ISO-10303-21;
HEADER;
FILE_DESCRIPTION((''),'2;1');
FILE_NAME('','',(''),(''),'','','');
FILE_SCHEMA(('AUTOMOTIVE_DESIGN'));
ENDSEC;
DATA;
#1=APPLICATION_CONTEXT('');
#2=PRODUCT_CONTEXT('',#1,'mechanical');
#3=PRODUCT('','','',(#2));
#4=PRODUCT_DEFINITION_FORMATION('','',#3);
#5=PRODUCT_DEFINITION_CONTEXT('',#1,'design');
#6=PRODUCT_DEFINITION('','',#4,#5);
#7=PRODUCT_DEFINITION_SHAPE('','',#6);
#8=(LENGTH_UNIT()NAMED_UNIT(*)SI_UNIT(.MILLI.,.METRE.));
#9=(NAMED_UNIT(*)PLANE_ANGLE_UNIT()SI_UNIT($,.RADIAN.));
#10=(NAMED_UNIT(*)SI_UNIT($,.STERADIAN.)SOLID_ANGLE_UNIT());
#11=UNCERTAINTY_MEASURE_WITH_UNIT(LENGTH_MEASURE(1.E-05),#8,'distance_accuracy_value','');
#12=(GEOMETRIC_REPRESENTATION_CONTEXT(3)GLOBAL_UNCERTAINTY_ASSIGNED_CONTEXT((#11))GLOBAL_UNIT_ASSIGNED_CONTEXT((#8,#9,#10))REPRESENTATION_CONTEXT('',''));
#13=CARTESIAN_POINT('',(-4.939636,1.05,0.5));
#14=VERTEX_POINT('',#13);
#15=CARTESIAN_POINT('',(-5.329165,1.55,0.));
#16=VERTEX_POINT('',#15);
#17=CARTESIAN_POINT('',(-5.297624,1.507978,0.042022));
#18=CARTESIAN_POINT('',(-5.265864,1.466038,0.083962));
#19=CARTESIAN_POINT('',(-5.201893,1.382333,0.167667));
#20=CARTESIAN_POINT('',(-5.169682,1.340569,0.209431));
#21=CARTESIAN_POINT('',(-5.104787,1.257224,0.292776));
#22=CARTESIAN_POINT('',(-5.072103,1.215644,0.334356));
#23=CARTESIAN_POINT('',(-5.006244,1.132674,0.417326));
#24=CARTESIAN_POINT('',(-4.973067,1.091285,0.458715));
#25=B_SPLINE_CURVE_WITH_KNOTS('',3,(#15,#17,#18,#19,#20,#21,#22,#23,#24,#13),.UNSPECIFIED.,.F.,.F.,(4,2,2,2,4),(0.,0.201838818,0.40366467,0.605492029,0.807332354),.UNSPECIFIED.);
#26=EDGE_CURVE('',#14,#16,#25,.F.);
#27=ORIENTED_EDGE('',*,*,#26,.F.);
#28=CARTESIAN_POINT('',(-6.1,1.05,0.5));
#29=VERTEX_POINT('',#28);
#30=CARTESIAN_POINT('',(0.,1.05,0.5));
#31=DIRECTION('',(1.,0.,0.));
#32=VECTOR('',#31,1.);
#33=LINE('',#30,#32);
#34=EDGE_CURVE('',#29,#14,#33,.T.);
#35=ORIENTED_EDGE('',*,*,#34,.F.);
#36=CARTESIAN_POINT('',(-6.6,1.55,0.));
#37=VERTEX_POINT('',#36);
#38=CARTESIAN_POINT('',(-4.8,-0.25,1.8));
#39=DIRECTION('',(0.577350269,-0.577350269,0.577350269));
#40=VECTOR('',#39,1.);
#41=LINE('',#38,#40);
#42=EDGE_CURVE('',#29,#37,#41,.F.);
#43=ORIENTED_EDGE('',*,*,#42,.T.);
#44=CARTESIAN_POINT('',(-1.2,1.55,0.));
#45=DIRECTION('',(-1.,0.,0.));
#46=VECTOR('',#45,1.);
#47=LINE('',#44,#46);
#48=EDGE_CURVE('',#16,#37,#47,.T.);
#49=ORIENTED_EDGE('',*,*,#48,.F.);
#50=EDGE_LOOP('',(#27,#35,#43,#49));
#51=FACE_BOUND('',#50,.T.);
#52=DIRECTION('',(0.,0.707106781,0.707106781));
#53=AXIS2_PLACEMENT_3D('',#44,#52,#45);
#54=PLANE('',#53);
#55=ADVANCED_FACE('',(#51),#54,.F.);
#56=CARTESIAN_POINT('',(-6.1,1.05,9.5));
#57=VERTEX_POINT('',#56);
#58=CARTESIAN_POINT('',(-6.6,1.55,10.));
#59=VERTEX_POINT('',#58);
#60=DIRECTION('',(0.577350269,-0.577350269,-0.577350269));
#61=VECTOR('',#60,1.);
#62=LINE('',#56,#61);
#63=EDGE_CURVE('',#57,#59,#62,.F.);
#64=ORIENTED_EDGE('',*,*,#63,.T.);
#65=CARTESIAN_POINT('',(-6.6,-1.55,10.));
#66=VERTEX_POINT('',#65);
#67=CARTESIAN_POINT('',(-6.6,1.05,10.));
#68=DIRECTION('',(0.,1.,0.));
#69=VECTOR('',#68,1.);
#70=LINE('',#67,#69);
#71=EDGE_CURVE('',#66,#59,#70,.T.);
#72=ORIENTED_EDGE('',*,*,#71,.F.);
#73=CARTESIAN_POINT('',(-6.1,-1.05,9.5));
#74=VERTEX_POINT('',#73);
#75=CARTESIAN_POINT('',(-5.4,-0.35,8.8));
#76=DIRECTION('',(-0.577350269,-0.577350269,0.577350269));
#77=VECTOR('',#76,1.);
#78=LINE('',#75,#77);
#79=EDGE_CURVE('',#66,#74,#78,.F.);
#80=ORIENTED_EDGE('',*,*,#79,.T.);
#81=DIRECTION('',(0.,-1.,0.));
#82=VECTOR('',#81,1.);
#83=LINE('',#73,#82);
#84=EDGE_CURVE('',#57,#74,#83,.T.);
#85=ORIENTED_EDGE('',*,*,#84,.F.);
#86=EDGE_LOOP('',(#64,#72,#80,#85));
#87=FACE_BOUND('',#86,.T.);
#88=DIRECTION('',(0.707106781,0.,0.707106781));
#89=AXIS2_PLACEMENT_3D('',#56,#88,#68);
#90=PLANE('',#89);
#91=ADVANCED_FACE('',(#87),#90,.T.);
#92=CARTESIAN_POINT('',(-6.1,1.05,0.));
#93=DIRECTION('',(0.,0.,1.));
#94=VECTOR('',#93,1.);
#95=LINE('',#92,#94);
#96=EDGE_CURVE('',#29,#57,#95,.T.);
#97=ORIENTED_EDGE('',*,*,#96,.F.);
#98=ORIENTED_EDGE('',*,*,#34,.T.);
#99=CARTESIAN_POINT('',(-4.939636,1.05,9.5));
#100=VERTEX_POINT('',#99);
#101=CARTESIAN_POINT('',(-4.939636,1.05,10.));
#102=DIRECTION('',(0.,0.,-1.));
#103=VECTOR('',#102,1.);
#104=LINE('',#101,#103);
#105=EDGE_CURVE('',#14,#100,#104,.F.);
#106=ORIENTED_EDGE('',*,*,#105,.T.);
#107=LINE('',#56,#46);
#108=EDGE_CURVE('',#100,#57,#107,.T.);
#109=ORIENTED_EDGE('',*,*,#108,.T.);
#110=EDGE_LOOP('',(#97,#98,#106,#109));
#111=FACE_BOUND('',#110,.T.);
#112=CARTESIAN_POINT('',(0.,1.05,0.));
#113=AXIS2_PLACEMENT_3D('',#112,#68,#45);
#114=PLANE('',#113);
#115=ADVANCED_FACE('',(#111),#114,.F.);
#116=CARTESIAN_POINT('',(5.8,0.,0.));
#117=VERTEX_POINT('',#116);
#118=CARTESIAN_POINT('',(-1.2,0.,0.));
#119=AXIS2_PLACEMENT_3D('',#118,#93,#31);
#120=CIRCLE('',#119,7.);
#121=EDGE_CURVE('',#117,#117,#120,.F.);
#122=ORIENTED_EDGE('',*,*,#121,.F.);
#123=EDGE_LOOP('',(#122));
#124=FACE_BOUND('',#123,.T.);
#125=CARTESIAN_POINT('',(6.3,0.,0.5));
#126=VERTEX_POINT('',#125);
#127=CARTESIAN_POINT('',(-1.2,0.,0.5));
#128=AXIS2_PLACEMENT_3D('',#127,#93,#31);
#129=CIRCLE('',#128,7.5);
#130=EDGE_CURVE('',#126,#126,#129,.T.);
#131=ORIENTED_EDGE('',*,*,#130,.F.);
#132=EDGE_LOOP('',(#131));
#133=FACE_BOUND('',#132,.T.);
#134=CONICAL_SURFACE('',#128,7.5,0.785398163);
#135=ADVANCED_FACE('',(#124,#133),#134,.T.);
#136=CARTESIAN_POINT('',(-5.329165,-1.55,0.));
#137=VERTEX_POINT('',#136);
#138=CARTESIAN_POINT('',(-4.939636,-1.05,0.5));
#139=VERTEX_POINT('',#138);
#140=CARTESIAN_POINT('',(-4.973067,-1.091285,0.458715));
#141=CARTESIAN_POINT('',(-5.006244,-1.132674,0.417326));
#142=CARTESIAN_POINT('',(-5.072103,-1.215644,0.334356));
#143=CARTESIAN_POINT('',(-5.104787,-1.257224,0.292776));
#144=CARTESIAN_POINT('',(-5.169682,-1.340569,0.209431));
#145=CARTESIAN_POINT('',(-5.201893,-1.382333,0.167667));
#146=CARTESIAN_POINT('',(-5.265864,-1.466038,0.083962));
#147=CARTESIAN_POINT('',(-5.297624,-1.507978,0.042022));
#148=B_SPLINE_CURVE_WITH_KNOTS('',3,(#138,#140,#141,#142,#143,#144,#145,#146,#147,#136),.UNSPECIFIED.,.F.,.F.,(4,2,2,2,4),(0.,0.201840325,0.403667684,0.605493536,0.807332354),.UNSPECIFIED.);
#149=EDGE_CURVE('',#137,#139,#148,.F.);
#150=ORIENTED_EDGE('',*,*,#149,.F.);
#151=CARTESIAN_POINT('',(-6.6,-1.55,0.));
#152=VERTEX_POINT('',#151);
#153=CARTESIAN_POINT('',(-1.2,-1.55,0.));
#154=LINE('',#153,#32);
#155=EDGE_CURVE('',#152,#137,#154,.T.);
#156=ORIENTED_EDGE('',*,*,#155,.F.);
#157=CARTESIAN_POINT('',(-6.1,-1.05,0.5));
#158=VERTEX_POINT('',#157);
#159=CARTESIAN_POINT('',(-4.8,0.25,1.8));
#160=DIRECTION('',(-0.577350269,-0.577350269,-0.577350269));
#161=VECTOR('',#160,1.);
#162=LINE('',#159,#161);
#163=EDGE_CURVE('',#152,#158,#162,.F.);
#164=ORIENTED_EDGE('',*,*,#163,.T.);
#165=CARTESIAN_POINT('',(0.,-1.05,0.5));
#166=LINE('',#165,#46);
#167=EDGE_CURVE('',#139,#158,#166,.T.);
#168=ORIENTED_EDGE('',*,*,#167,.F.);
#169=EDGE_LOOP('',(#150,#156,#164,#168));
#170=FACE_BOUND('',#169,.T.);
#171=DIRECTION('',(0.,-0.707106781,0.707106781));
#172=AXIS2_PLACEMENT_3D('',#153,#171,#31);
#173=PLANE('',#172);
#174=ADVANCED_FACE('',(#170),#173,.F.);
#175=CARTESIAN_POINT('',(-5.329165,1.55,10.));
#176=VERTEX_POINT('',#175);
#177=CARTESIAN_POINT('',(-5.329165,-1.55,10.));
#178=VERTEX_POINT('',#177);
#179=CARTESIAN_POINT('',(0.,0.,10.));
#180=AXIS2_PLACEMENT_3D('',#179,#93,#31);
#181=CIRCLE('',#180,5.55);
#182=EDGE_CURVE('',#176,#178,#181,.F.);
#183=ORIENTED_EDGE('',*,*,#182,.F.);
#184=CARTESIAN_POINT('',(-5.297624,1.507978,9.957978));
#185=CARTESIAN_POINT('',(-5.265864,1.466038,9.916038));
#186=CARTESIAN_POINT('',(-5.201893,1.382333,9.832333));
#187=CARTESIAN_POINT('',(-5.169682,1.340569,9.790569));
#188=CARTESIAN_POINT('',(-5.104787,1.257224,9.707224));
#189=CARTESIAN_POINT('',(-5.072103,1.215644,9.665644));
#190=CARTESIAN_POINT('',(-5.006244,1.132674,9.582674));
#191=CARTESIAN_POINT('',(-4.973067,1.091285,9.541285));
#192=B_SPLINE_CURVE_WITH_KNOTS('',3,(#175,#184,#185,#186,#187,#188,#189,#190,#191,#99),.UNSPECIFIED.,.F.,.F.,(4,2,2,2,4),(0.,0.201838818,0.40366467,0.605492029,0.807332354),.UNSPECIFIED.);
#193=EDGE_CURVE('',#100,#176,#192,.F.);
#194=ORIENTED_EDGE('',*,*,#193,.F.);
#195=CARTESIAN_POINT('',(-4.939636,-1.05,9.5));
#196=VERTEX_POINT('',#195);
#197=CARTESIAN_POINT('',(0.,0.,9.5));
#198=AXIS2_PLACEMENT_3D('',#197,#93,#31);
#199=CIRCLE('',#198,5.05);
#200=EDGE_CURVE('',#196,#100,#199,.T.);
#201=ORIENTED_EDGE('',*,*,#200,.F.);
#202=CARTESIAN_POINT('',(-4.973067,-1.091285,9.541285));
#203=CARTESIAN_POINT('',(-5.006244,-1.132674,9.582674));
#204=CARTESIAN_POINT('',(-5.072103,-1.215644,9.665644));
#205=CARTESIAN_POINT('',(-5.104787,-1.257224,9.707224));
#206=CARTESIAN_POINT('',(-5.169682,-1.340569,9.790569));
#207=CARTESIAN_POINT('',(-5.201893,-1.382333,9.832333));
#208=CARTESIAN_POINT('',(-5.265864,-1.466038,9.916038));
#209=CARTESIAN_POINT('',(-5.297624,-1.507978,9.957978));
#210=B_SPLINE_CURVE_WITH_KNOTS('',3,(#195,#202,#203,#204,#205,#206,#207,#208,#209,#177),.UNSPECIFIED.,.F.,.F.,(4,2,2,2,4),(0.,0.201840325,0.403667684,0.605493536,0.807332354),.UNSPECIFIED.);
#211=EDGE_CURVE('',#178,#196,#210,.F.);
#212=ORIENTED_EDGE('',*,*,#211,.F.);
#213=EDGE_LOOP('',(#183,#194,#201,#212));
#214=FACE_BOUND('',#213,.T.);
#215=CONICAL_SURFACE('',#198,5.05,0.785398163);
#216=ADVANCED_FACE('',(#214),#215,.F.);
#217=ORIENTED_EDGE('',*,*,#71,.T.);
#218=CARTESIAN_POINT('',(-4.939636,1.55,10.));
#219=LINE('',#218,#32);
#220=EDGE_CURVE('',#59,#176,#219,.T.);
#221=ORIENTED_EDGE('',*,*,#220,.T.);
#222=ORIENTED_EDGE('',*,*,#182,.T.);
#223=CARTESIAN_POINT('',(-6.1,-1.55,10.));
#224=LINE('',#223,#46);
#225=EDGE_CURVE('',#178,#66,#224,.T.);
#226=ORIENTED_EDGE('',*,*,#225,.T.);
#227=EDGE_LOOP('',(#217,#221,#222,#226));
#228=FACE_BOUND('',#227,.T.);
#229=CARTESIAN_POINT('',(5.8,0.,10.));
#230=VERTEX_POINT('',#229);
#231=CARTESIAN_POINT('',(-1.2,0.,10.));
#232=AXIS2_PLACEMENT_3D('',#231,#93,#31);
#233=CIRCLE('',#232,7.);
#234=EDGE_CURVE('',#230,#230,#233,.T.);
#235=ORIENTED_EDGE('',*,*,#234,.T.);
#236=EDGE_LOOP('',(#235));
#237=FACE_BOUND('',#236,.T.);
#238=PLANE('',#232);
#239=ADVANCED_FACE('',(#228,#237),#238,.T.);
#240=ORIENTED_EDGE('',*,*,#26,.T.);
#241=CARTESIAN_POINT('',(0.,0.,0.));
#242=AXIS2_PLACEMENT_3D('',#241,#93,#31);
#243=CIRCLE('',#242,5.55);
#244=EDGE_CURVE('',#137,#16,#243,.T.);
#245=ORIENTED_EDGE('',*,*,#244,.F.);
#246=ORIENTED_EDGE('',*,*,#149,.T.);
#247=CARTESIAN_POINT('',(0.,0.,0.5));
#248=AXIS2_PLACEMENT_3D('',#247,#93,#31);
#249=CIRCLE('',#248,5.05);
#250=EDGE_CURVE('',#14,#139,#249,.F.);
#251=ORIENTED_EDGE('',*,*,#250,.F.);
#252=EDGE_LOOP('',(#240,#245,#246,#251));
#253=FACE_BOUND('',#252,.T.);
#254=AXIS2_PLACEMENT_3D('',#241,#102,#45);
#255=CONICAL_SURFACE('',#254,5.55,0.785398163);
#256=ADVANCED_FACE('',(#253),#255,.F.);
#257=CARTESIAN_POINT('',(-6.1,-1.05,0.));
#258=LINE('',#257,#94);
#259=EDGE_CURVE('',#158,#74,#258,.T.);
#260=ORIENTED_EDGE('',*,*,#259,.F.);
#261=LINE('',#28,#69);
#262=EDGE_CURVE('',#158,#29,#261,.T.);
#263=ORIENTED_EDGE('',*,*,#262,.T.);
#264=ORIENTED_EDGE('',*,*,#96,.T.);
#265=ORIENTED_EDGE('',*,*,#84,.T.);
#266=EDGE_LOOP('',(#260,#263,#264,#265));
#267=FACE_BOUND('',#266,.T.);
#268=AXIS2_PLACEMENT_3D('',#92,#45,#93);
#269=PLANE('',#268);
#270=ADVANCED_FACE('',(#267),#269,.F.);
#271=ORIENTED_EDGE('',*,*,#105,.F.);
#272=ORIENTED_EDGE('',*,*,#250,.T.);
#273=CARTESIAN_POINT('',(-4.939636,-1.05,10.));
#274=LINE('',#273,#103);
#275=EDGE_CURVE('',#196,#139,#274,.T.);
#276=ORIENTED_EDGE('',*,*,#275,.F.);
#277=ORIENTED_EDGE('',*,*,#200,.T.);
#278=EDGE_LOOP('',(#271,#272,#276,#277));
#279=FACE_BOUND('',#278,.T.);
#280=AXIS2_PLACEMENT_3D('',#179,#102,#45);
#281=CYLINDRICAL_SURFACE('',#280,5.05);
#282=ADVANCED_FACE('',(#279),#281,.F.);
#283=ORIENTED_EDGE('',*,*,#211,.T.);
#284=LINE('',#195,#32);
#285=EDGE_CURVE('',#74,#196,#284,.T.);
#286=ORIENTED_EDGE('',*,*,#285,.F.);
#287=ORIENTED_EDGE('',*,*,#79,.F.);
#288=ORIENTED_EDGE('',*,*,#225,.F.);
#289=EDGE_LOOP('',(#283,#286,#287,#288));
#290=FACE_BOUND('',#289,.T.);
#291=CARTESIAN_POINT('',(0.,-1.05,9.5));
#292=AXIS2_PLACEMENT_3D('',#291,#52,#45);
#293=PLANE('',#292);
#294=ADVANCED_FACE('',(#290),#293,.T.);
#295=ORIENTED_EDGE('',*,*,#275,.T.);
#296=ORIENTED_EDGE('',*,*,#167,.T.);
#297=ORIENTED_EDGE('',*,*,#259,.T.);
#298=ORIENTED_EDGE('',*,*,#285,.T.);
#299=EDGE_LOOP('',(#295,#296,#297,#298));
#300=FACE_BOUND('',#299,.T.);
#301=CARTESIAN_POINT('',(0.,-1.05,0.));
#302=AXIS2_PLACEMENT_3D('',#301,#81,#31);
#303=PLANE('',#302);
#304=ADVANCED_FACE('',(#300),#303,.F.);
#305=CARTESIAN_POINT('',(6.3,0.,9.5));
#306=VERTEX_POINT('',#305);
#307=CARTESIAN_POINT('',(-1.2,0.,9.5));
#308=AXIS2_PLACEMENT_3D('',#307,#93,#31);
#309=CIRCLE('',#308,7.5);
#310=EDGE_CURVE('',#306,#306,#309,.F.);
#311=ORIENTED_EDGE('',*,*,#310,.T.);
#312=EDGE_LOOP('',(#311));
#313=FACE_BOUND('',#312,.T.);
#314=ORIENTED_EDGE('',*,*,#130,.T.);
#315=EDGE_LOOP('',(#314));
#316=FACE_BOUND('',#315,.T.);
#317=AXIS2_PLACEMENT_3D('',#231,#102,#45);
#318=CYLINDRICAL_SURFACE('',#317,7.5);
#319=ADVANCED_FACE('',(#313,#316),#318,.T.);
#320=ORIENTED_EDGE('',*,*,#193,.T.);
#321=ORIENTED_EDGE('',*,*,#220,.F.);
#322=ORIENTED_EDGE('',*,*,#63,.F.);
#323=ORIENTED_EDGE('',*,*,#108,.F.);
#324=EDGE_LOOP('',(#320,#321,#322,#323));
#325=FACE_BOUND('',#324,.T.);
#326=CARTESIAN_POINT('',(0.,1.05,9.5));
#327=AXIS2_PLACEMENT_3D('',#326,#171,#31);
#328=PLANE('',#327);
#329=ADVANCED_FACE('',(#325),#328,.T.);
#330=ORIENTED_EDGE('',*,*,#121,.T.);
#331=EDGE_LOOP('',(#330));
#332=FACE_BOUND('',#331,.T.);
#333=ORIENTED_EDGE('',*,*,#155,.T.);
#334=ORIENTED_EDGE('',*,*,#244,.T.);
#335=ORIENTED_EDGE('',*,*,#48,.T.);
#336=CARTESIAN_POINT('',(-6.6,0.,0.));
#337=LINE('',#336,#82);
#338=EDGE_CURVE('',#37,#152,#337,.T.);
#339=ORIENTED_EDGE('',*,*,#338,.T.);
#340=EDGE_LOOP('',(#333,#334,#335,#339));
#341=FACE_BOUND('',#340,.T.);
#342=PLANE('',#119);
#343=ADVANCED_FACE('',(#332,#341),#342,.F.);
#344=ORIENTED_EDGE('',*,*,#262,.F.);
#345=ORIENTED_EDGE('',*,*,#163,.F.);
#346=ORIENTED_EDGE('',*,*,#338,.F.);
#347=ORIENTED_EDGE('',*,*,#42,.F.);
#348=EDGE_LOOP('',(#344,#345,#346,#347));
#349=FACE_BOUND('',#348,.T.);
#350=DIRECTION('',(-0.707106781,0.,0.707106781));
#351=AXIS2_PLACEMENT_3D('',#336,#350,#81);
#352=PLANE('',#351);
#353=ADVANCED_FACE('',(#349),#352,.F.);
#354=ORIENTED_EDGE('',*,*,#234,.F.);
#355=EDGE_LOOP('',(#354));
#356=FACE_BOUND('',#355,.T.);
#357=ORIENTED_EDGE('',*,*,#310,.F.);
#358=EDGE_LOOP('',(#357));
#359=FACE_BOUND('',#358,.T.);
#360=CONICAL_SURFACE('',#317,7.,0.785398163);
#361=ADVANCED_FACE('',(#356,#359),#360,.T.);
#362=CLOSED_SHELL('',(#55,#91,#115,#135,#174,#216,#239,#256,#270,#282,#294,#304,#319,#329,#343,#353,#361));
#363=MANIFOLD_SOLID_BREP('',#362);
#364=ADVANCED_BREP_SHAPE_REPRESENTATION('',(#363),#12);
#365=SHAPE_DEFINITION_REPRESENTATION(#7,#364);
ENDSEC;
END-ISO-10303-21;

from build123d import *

# Parameters (mm, degrees)
SKETCH1_R           = 7.5
SKETCH1_R_2         = 5.05
BOSS_EXTRUDE1_DEPTH = 10
SKETCH2_W           = 6.1
SKETCH2_H           = 2.1
CUT_EXTRUDE1_DEPTH  = 16.229576488
CHAMFER1_SIZE       = 0.5
CHAMFER2_SIZE       = 0.5
CHAMFER3_SIZE       = 0.5


with BuildPart() as part:
    # Sketch1 → Boss-Extrude1 (new body)
    with BuildSketch(Plane.XY):
        with Locations((-1.2, 0)):
            Circle(SKETCH1_R)
        Circle(SKETCH1_R_2, mode=Mode.SUBTRACT)
    extrude(amount=BOSS_EXTRUDE1_DEPTH)

    # Sketch2 → Cut-Extrude1 (cut, through all)
    with BuildSketch(Plane.XY.offset(10)):
        with Locations((-3.05, 0)):
            Rectangle(SKETCH2_W, SKETCH2_H)
    extrude(amount=-CUT_EXTRUDE1_DEPTH, mode=Mode.SUBTRACT)

    # Chamfer1
    chamfer1_edges = [part.edges().sort_by_distance(p)[0] for p in [
        (5.05, 0, 10),
        (-5.519817807, -1.05, 10),
        (-5.519817807, 1.05, 10),
        (-6.1, 0, 10),
    ]]
    chamfer(chamfer1_edges, length=CHAMFER1_SIZE)

    # Chamfer2
    chamfer2_edges = [part.edges().sort_by_distance(p)[0] for p in [
        (5.05, 0, 0),
        (-5.519817807, -1.05, 0),
        (-6.1, 0, 0),
        (-5.519817807, 1.05, 0),
    ]]
    chamfer(chamfer2_edges, length=CHAMFER2_SIZE)

    # Chamfer3
    chamfer3_edges = [part.edges().sort_by_distance(p)[0] for p in [
        (-8.7, 0, 0),
        (-8.7, 0, 10),
    ]]
    chamfer(chamfer3_edges, length=CHAMFER3_SIZE)


solid = part.part
